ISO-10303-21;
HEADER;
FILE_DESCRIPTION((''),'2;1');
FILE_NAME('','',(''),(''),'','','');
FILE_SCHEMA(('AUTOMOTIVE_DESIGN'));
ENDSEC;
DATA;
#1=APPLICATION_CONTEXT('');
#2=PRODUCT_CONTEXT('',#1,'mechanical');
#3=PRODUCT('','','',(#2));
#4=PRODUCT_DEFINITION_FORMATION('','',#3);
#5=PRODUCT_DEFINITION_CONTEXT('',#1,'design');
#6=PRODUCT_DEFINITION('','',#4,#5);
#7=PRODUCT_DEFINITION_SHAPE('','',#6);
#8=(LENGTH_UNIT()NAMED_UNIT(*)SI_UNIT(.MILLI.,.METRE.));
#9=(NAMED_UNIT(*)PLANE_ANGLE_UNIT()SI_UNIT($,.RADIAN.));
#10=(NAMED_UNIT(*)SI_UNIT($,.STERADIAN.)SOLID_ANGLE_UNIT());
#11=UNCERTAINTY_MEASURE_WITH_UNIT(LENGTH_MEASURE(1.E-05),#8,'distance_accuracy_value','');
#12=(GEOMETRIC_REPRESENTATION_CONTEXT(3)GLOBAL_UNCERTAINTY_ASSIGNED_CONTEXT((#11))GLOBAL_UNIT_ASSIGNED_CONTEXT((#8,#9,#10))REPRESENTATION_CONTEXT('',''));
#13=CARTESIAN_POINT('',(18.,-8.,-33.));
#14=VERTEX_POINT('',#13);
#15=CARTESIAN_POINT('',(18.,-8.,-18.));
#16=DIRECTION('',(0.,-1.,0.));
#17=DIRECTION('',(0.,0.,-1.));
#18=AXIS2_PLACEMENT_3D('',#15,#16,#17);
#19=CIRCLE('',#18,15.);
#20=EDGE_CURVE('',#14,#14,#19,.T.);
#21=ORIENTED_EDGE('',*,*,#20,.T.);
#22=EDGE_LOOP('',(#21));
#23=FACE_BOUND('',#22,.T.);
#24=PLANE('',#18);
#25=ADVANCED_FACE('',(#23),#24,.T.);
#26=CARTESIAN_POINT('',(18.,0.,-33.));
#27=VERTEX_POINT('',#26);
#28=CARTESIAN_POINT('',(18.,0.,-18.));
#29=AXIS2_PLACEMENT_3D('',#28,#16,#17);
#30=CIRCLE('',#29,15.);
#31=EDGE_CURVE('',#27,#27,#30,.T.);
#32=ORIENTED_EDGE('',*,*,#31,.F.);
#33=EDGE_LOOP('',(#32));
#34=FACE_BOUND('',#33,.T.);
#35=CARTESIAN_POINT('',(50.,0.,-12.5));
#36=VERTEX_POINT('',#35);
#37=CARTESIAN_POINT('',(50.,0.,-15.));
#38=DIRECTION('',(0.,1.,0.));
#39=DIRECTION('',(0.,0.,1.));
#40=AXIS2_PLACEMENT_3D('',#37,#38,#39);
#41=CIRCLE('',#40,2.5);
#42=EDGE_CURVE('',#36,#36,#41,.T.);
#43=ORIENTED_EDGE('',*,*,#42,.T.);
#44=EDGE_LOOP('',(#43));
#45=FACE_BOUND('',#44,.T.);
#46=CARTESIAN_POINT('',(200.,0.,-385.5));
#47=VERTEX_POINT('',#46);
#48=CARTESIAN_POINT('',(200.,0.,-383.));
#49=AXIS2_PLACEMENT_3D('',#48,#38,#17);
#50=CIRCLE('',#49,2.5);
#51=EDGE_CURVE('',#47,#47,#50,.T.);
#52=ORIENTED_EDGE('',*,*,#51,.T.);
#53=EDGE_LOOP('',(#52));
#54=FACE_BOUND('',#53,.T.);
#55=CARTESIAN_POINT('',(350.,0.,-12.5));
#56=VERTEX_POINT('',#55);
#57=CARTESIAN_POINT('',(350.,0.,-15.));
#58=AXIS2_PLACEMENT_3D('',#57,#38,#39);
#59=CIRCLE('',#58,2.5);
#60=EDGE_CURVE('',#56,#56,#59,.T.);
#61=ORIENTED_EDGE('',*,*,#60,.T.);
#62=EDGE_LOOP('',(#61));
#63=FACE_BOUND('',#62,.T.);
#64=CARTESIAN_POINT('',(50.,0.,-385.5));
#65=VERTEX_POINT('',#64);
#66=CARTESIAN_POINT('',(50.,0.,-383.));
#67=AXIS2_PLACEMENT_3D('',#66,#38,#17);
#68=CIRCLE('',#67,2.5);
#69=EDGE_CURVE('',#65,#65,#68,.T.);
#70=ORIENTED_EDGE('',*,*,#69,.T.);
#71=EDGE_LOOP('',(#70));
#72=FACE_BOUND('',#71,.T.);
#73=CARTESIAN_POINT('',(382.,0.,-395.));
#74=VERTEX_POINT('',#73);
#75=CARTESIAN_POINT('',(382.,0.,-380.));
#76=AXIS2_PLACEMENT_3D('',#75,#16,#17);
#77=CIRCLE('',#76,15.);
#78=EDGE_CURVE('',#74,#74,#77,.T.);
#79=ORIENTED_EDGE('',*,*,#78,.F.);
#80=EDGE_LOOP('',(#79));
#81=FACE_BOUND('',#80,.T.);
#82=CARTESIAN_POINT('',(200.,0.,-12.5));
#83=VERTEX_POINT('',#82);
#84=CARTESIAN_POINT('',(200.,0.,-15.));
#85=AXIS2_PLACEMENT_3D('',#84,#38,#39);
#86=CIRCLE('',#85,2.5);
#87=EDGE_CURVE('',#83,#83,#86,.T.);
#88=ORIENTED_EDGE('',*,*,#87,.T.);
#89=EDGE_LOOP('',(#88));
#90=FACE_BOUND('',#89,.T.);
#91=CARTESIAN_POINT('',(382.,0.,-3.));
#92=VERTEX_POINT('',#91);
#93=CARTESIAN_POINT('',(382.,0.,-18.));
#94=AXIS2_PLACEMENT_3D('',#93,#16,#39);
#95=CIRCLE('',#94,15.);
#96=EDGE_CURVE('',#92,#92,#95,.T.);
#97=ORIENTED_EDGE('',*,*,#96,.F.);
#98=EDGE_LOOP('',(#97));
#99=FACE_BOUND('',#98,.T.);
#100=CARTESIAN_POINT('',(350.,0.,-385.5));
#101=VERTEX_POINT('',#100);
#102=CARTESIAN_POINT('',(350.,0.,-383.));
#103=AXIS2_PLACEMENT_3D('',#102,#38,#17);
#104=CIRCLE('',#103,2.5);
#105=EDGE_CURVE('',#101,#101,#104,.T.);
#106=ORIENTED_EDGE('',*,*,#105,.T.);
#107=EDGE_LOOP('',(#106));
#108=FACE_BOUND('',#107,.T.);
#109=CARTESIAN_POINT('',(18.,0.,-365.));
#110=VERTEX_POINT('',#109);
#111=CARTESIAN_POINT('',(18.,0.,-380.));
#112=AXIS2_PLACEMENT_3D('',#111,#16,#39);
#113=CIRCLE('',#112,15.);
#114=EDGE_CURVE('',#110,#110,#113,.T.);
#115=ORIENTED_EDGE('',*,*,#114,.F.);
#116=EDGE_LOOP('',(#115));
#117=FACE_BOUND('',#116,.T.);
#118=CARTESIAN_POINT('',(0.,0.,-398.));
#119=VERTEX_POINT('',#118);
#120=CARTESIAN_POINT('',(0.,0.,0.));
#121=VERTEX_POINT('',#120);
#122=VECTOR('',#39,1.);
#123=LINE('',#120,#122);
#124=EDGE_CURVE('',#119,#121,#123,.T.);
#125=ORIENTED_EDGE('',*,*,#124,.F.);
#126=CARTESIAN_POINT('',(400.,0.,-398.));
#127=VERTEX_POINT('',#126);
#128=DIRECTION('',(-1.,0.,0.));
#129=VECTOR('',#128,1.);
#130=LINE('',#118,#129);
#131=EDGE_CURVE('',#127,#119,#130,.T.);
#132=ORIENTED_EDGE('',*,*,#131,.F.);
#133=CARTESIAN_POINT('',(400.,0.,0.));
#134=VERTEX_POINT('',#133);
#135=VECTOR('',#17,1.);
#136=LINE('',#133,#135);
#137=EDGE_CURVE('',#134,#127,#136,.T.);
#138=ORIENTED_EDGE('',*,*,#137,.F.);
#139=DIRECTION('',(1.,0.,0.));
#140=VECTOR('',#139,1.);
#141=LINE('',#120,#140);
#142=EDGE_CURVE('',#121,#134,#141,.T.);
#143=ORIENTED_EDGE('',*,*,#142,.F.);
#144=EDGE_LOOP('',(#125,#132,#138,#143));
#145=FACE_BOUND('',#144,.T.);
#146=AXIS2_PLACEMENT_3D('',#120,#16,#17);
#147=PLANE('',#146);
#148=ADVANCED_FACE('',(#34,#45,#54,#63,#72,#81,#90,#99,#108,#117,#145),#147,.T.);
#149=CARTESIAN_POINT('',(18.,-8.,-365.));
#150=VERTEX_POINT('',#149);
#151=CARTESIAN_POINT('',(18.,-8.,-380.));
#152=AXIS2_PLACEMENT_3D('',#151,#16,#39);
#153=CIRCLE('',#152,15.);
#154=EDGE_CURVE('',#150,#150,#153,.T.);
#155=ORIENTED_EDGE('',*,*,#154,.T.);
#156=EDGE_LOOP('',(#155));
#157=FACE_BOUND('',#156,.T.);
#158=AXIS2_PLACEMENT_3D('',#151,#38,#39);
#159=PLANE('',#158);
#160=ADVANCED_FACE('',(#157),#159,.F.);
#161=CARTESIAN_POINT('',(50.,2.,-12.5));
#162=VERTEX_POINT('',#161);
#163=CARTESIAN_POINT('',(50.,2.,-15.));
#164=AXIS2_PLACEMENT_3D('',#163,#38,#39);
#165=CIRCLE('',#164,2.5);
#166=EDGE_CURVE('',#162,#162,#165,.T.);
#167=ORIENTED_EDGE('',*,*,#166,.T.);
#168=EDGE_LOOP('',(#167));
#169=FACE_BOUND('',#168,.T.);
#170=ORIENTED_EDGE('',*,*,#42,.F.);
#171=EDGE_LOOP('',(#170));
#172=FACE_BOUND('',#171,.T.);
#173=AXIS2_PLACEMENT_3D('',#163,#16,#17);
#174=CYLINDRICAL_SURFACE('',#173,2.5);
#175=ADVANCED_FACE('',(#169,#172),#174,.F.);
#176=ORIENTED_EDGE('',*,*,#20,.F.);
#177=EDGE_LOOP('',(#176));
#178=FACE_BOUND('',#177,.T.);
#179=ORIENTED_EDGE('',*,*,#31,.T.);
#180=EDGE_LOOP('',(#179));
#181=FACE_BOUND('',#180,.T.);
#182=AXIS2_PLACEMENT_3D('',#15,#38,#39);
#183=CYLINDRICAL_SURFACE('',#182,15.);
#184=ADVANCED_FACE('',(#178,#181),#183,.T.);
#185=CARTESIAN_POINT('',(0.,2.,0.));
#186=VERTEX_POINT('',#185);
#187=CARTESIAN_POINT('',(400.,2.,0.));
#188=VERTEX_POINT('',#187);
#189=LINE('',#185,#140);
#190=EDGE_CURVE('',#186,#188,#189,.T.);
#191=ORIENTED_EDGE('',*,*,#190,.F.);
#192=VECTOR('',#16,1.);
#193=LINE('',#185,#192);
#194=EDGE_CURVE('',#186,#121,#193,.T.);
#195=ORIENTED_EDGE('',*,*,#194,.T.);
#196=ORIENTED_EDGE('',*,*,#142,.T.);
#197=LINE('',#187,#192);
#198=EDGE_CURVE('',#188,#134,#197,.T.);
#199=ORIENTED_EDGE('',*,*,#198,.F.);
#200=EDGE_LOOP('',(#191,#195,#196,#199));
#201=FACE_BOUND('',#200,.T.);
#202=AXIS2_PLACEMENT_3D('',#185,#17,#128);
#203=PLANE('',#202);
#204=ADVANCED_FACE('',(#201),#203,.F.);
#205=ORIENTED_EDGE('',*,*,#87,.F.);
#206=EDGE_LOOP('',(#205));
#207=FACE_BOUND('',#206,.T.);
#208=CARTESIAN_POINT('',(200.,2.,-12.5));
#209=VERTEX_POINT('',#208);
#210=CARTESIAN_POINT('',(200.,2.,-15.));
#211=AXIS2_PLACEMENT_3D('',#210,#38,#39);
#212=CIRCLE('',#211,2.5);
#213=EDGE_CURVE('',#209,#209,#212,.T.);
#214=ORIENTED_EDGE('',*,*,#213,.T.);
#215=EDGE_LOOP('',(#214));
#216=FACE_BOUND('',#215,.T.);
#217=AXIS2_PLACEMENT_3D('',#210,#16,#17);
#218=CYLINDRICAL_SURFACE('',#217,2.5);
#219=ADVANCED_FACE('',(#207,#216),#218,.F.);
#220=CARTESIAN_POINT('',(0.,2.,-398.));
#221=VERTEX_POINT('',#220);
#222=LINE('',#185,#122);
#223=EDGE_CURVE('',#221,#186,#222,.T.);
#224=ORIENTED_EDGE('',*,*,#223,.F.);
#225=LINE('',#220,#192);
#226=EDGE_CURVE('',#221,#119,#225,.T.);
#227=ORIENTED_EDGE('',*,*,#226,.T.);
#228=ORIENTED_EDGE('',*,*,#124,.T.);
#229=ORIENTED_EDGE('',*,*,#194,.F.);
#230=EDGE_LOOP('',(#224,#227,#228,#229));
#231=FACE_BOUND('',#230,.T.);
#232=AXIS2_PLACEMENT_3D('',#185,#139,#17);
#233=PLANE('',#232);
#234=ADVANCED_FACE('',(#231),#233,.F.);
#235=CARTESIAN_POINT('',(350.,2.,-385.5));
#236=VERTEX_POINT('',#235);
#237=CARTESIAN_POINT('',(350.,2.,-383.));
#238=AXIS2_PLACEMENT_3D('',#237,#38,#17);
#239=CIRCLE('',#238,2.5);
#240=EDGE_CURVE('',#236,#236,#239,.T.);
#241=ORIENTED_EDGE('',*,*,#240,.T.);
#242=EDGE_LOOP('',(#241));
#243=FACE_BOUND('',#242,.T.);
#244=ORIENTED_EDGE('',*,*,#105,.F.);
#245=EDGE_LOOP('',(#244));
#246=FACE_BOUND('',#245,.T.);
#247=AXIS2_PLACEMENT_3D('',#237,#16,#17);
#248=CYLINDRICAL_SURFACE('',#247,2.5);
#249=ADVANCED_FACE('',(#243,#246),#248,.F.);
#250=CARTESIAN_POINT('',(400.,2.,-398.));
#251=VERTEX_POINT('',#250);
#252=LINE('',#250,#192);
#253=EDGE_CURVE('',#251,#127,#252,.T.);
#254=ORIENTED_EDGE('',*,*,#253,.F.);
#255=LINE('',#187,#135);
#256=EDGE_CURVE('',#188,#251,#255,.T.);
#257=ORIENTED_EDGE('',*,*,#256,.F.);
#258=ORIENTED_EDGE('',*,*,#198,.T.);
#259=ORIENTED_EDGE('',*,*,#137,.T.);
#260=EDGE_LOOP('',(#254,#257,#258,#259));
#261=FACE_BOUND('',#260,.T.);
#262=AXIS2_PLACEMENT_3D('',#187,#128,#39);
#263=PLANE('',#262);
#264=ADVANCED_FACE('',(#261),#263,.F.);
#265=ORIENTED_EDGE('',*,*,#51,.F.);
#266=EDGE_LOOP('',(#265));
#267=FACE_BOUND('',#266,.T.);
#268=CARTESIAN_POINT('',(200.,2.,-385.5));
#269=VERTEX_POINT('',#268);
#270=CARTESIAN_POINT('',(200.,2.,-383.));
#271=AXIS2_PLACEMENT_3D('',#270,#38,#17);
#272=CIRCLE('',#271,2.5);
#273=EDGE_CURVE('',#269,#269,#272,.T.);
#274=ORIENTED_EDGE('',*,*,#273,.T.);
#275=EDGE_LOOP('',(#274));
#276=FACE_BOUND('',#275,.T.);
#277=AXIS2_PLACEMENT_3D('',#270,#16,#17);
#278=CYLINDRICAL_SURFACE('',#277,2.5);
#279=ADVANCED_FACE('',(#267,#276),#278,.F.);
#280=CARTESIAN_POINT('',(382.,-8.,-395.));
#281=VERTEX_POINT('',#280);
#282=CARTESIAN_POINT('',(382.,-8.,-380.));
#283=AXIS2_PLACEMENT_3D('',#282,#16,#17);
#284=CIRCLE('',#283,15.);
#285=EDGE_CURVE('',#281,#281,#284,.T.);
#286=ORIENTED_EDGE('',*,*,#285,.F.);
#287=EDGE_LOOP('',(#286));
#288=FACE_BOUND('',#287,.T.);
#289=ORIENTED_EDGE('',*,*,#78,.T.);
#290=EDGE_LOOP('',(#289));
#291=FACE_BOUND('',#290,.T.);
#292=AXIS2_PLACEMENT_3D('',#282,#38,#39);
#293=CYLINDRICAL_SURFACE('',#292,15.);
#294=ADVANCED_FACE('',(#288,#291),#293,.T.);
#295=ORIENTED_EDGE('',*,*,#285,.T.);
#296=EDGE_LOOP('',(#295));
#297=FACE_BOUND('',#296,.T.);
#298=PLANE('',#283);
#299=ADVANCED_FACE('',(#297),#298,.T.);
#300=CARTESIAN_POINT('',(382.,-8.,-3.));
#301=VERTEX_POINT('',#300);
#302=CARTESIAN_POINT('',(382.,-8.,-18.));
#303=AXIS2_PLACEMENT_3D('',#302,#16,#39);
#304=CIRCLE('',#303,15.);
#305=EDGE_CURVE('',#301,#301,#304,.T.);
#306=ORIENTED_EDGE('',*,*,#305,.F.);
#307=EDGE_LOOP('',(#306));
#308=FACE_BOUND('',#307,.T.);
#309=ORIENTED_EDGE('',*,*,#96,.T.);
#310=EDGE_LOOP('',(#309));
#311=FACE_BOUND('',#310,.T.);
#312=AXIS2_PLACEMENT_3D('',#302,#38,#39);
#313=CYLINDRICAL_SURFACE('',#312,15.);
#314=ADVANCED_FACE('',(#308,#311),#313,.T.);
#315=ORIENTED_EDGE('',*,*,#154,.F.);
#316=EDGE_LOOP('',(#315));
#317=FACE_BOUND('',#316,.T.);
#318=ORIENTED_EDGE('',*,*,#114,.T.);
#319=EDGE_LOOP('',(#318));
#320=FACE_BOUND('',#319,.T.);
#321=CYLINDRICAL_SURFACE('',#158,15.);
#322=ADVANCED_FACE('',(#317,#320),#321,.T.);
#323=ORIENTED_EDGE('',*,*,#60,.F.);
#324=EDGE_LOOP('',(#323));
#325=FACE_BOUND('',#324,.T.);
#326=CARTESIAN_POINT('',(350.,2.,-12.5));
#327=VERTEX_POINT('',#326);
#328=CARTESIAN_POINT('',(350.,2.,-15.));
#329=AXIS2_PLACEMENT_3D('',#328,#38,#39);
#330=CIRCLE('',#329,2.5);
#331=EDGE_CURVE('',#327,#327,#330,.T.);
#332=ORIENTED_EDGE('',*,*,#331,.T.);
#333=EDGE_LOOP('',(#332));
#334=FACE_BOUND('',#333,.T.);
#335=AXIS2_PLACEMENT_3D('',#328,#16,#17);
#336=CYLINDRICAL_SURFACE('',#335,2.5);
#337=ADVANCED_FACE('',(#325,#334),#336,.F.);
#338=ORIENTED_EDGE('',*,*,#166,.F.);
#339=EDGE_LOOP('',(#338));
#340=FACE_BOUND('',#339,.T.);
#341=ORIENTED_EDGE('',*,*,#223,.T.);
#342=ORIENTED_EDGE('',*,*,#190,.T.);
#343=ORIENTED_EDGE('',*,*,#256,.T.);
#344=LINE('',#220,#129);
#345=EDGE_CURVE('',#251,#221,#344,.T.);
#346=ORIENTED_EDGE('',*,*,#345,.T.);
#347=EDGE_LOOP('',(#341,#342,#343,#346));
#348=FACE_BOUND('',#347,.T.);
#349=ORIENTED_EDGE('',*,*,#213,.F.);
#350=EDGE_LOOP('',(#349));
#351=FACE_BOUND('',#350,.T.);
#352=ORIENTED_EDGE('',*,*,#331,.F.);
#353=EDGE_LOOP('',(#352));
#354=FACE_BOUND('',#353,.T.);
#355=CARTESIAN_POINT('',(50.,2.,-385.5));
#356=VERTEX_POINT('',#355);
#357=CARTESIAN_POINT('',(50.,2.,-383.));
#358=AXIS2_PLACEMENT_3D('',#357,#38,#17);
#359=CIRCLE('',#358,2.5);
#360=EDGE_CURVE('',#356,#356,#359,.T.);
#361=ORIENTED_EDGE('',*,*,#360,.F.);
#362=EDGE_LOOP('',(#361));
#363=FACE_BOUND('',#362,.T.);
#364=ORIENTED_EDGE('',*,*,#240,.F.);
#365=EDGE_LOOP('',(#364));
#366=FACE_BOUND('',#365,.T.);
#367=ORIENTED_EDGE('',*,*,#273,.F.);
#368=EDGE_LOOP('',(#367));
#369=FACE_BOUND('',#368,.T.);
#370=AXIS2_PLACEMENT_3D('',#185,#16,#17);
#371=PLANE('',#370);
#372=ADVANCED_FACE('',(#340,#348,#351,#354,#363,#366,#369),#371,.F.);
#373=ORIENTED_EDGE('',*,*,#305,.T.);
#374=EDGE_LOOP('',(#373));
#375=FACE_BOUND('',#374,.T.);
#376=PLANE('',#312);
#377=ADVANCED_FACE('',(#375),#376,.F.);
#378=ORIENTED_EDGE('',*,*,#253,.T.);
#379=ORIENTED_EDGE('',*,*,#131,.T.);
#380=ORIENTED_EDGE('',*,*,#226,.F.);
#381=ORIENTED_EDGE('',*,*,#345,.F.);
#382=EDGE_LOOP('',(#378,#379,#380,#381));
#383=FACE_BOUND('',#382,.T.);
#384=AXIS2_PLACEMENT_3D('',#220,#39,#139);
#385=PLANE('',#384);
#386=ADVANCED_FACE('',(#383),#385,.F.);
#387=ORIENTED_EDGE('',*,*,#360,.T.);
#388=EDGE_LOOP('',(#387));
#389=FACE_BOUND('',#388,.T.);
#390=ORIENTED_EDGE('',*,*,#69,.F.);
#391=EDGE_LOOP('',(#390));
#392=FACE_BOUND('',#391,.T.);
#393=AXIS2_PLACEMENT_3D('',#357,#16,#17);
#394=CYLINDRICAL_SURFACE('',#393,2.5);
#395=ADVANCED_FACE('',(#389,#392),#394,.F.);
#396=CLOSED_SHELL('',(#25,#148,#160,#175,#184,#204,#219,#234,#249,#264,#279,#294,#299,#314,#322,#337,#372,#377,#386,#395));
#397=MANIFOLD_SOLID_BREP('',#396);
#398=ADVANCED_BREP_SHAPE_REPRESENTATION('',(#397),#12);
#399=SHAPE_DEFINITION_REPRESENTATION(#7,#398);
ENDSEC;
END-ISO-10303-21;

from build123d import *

# Parameters (mm, degrees)
SKETCH1_W           = 400
SKETCH1_H           = 398
SKETCH1_R           = 2.5
BOSS_EXTRUDE1_DEPTH = 2
SKETCH2_R           = 15
BOSS_EXTRUDE2_DEPTH = 8


with BuildPart() as part:
    # Sketch1 → Boss-Extrude1 (new body)
    with BuildSketch(Plane(origin=(0, 0, 0), x_dir=(1, 0, 0), z_dir=(0, 1, 0))):
        with Locations((200, 199)):
            Rectangle(SKETCH1_W, SKETCH1_H)
        with Locations(Location((50, 15, 0), (0, 0, 270))):
            Circle(SKETCH1_R, mode=Mode.SUBTRACT)
        with Locations(Location((200, 15, 0), (0, 0, 270))):
            Circle(SKETCH1_R, mode=Mode.SUBTRACT)
        with Locations(Location((350, 15, 0), (0, 0, 270))):
            Circle(SKETCH1_R, mode=Mode.SUBTRACT)
        with Locations(Location((350, 383, 0), (0, 0, 90))):
            Circle(SKETCH1_R, mode=Mode.SUBTRACT)
        with Locations(Location((200, 383, 0), (0, 0, 90))):
            Circle(SKETCH1_R, mode=Mode.SUBTRACT)
        with Locations(Location((50, 383, 0), (0, 0, 90))):
            Circle(SKETCH1_R, mode=Mode.SUBTRACT)
    extrude(amount=BOSS_EXTRUDE1_DEPTH)

    # Sketch2 → Boss-Extrude2 (add)
    with BuildSketch(Plane.XZ):
        with Locations(Location((18, -18, 0), (0, 0, 270))):
            Circle(SKETCH2_R)
        with Locations(Location((382, -18, 0), (0, 0, 90))):
            Circle(SKETCH2_R)
        with Locations(Location((382, -380, 0), (0, 0, 270))):
            Circle(SKETCH2_R)
        with Locations(Location((18, -380, 0), (0, 0, 90))):
            Circle(SKETCH2_R)
    extrude(amount=BOSS_EXTRUDE2_DEPTH)


solid = part.part
